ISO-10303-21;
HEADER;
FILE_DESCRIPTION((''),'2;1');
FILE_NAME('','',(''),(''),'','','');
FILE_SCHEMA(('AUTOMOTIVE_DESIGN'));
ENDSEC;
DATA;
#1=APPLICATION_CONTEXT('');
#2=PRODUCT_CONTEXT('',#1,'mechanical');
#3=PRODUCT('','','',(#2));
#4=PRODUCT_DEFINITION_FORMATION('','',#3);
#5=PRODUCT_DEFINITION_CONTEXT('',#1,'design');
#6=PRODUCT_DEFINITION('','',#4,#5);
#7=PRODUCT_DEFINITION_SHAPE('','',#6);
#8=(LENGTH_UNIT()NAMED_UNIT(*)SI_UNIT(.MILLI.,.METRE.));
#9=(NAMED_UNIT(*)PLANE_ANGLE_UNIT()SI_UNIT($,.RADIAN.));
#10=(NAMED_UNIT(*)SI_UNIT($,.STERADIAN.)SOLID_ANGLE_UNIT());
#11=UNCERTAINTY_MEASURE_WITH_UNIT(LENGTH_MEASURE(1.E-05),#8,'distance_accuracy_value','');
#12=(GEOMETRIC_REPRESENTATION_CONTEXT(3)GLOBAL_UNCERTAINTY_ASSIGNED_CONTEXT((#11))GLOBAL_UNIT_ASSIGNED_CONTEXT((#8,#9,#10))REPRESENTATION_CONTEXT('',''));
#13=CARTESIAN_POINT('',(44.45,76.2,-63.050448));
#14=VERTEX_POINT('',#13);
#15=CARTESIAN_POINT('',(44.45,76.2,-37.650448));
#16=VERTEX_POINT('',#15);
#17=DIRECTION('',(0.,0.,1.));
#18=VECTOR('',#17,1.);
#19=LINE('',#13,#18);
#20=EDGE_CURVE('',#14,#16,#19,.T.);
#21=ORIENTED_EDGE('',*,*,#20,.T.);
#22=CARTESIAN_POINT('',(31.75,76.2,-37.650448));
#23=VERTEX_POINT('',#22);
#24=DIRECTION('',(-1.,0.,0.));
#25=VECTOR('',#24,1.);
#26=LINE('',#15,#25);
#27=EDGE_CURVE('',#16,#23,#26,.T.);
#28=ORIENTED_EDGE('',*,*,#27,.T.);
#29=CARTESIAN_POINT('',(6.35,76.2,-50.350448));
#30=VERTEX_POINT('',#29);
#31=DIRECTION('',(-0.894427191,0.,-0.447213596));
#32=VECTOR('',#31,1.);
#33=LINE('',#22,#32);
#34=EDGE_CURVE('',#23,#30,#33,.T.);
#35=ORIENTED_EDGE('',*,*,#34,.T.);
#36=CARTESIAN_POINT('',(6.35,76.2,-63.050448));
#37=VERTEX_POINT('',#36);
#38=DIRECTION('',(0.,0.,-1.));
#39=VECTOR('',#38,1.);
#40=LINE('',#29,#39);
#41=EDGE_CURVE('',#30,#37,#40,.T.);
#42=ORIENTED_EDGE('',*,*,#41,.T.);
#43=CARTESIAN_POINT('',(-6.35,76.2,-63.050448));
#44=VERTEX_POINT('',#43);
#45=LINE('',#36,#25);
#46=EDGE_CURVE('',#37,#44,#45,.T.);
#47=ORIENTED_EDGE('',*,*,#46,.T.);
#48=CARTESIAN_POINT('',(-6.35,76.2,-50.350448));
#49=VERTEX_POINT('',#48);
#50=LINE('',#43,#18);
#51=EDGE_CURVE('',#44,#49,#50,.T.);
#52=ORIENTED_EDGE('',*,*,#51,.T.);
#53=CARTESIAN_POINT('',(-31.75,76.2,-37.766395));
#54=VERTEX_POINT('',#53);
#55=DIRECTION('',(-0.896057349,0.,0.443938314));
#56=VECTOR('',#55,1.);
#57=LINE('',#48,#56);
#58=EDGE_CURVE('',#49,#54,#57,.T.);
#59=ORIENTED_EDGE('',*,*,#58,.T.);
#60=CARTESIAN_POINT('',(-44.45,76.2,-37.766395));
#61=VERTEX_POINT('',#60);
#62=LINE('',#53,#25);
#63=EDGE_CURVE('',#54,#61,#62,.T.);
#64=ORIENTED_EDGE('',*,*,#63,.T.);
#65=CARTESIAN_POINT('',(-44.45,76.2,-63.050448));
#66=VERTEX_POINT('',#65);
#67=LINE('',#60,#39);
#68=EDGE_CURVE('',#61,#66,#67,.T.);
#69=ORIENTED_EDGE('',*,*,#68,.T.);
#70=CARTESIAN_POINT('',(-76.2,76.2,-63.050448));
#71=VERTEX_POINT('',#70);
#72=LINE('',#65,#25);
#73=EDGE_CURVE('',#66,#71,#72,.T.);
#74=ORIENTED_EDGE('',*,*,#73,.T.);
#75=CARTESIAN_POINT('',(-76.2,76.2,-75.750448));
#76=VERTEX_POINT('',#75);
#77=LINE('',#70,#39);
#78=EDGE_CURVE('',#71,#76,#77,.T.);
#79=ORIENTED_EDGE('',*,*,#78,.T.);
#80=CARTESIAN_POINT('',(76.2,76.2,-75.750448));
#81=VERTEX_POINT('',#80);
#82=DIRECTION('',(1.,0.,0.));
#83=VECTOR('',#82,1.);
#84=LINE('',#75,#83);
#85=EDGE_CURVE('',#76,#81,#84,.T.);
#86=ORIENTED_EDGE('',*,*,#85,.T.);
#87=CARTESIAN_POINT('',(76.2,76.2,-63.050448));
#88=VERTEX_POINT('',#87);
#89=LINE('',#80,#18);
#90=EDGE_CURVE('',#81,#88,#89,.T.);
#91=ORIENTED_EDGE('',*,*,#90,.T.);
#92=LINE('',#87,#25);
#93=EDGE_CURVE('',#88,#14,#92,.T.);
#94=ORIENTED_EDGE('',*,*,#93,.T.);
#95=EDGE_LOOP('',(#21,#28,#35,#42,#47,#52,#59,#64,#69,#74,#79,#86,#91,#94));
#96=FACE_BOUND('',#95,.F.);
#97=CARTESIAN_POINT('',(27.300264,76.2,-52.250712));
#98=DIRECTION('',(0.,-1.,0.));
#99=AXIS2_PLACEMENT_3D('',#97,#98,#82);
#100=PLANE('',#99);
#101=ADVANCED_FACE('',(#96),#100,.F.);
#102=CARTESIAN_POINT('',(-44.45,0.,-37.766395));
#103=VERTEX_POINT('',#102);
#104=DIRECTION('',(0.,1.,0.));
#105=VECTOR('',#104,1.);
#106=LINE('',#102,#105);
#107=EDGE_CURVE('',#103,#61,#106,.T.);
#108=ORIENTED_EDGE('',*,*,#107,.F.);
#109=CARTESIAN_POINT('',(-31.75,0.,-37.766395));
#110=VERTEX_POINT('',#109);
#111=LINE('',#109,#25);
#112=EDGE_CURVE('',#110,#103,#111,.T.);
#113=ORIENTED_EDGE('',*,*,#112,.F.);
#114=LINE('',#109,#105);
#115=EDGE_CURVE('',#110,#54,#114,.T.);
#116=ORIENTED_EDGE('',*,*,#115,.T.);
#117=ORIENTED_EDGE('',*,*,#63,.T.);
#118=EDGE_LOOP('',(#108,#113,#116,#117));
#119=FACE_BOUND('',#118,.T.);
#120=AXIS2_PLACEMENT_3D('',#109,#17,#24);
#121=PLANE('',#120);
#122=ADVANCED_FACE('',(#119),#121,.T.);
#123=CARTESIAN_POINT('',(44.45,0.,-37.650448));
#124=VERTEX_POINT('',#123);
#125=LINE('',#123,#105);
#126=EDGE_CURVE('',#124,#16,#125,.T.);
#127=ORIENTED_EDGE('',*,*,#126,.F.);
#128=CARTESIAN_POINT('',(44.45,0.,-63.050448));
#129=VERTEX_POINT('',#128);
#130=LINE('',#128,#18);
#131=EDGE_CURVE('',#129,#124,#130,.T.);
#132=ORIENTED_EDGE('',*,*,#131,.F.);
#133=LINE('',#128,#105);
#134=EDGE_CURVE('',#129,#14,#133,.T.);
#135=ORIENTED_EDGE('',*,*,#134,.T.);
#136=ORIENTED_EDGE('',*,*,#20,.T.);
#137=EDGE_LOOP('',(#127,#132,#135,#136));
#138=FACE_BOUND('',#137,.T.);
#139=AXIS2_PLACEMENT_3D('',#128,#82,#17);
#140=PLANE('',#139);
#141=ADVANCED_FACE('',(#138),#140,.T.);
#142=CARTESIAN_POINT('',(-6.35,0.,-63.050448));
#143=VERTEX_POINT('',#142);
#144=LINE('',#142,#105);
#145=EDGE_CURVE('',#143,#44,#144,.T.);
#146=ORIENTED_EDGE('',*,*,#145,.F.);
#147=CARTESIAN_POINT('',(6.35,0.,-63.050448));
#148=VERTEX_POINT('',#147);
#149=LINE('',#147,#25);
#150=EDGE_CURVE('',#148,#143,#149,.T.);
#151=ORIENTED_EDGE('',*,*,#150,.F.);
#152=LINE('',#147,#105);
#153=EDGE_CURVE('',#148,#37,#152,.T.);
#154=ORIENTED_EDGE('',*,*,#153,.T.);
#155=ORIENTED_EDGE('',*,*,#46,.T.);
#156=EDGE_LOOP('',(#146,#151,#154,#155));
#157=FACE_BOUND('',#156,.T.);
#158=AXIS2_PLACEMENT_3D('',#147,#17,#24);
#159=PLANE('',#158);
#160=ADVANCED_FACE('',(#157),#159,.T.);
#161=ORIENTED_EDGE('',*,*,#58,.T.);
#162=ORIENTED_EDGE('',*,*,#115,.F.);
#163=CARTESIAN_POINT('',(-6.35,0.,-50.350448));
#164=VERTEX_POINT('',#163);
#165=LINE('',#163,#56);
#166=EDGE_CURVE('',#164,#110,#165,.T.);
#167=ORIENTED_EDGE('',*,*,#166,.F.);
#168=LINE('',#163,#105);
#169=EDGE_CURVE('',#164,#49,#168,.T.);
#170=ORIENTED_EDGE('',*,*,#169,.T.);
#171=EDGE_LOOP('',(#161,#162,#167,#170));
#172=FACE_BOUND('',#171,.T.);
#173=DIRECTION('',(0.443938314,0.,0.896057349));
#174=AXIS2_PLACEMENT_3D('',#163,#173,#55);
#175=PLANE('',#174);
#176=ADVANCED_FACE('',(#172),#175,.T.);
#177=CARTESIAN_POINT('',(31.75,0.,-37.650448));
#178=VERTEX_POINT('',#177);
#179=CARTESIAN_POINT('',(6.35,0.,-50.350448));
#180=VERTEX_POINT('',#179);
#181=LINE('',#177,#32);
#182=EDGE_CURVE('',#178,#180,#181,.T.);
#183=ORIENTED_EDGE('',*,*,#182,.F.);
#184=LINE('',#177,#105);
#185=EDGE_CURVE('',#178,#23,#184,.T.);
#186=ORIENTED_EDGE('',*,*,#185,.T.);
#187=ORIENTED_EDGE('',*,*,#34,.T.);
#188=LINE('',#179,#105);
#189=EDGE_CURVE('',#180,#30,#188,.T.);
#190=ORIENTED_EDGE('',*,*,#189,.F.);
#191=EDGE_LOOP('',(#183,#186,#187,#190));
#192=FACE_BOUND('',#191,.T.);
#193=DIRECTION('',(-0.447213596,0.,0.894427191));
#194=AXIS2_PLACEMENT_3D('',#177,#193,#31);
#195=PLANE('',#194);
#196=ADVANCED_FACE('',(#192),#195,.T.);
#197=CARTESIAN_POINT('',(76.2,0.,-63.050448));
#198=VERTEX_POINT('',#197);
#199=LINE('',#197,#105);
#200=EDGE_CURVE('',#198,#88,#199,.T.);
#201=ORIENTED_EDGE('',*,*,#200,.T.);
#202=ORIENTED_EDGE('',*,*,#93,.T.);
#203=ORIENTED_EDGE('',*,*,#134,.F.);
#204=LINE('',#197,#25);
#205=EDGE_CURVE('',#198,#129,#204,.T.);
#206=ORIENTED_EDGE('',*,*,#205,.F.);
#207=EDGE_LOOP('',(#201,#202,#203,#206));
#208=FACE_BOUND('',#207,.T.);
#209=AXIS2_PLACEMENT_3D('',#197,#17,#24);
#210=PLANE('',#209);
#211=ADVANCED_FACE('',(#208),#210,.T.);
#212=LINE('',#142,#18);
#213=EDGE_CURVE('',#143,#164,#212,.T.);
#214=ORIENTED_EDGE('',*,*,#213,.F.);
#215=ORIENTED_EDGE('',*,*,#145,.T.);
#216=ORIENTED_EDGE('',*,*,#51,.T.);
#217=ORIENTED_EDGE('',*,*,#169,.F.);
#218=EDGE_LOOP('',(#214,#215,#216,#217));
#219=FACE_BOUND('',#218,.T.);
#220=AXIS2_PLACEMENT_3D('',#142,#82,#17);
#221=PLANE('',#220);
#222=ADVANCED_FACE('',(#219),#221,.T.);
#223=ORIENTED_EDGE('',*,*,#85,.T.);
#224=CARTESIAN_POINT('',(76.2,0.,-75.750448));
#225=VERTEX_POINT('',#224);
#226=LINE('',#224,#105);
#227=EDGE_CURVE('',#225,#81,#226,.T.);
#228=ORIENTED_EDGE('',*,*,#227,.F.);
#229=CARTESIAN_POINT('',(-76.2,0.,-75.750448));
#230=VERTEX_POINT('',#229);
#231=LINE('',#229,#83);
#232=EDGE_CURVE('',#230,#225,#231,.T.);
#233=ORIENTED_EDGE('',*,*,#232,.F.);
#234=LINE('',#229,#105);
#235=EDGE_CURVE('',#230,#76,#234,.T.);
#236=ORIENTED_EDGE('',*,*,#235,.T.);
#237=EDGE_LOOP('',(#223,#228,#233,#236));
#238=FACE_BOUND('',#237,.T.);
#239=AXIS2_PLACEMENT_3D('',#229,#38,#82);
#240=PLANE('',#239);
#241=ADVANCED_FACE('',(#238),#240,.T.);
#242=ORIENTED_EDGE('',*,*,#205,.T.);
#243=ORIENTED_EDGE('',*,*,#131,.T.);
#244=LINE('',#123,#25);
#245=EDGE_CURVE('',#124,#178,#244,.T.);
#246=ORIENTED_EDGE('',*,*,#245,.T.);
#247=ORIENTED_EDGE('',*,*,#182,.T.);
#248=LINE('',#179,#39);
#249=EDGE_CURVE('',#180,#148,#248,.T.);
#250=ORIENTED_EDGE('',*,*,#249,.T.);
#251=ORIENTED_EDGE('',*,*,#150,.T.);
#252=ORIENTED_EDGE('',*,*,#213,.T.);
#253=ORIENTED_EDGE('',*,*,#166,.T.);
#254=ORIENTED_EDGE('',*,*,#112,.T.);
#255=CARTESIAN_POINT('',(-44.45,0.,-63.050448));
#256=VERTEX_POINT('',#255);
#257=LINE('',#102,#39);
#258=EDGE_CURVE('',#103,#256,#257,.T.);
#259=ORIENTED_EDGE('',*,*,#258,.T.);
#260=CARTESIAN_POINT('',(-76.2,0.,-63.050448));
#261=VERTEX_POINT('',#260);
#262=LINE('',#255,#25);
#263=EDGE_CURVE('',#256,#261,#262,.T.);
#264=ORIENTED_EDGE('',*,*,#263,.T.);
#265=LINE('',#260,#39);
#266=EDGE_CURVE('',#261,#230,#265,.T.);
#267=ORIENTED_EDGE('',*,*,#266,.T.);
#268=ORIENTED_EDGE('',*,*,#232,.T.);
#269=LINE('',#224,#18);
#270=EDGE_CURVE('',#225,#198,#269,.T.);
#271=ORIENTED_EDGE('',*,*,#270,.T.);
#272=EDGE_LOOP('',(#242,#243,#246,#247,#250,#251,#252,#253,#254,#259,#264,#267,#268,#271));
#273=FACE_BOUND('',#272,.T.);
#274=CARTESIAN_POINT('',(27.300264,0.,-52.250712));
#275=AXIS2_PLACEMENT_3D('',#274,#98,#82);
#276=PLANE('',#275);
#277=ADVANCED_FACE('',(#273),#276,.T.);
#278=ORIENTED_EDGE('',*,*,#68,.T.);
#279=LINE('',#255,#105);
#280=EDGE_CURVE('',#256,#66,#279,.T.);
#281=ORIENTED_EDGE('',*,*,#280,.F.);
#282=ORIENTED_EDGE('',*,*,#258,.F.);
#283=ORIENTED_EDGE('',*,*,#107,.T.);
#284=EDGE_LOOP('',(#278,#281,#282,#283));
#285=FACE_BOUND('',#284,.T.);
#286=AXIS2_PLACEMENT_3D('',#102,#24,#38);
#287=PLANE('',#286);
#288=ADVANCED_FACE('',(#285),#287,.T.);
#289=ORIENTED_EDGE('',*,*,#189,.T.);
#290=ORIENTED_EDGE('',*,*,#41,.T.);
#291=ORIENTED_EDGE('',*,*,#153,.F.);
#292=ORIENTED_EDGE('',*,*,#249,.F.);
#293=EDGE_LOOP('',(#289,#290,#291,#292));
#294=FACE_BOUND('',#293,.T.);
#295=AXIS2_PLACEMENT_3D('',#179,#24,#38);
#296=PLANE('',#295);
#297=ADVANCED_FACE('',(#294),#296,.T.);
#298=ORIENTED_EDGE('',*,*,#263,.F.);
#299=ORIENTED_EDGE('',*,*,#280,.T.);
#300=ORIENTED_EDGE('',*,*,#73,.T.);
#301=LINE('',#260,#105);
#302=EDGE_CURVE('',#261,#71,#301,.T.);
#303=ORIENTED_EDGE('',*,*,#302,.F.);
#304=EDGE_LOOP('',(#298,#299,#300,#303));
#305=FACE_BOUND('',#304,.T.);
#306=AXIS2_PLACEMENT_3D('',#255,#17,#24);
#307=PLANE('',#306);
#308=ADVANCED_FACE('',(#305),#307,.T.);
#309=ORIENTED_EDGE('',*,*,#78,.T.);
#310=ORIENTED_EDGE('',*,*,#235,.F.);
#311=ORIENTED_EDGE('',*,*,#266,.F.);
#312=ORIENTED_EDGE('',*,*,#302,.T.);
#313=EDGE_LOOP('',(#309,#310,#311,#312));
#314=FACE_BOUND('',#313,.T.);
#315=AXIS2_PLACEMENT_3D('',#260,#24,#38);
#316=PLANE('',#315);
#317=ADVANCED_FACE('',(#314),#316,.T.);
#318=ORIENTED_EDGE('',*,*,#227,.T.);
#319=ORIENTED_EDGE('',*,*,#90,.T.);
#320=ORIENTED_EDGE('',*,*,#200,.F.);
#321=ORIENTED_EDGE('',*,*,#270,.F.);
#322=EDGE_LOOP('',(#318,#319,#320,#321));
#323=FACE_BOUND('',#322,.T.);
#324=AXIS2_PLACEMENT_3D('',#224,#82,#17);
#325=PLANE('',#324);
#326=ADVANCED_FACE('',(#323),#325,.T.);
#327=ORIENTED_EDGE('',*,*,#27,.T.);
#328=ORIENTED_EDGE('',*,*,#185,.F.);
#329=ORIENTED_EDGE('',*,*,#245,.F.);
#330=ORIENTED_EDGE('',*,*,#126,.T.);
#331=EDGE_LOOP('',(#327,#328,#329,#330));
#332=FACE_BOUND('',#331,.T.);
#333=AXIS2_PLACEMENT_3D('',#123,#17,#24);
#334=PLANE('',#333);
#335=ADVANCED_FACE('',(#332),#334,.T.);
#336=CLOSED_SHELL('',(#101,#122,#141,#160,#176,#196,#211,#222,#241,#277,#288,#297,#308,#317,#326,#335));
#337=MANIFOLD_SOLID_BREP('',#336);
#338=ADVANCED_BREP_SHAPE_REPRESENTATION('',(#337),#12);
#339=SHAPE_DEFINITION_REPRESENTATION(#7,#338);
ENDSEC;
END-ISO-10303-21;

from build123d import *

# Parameters (mm, degrees)
F1_DEPTH = 76.2


with BuildPart() as f1:
    # F0 (on Front) → F1 (new body)
    with BuildSketch(Plane.XZ):
        Polygon((6.35, -63.050448), (44.45, -63.050448), (44.45, -37.650448), (31.75, -37.650448), (6.35, -50.350448), align=None)
        Polygon((-44.45, -37.766395), (-44.45, -63.050448), (-6.35, -63.050448), (-6.35, -50.350448), (-31.75, -37.766395), align=None)
        Polygon((-76.2, -75.750448), (0, -75.750448), (76.2, -75.750448), (76.2, -63.050448), (44.45, -63.050448), (6.35, -63.050448), (-6.35, -63.050448), (-44.45, -63.050448), (-76.2, -63.050448), align=None)
    extrude(amount=-F1_DEPTH)


solid = f1.part
